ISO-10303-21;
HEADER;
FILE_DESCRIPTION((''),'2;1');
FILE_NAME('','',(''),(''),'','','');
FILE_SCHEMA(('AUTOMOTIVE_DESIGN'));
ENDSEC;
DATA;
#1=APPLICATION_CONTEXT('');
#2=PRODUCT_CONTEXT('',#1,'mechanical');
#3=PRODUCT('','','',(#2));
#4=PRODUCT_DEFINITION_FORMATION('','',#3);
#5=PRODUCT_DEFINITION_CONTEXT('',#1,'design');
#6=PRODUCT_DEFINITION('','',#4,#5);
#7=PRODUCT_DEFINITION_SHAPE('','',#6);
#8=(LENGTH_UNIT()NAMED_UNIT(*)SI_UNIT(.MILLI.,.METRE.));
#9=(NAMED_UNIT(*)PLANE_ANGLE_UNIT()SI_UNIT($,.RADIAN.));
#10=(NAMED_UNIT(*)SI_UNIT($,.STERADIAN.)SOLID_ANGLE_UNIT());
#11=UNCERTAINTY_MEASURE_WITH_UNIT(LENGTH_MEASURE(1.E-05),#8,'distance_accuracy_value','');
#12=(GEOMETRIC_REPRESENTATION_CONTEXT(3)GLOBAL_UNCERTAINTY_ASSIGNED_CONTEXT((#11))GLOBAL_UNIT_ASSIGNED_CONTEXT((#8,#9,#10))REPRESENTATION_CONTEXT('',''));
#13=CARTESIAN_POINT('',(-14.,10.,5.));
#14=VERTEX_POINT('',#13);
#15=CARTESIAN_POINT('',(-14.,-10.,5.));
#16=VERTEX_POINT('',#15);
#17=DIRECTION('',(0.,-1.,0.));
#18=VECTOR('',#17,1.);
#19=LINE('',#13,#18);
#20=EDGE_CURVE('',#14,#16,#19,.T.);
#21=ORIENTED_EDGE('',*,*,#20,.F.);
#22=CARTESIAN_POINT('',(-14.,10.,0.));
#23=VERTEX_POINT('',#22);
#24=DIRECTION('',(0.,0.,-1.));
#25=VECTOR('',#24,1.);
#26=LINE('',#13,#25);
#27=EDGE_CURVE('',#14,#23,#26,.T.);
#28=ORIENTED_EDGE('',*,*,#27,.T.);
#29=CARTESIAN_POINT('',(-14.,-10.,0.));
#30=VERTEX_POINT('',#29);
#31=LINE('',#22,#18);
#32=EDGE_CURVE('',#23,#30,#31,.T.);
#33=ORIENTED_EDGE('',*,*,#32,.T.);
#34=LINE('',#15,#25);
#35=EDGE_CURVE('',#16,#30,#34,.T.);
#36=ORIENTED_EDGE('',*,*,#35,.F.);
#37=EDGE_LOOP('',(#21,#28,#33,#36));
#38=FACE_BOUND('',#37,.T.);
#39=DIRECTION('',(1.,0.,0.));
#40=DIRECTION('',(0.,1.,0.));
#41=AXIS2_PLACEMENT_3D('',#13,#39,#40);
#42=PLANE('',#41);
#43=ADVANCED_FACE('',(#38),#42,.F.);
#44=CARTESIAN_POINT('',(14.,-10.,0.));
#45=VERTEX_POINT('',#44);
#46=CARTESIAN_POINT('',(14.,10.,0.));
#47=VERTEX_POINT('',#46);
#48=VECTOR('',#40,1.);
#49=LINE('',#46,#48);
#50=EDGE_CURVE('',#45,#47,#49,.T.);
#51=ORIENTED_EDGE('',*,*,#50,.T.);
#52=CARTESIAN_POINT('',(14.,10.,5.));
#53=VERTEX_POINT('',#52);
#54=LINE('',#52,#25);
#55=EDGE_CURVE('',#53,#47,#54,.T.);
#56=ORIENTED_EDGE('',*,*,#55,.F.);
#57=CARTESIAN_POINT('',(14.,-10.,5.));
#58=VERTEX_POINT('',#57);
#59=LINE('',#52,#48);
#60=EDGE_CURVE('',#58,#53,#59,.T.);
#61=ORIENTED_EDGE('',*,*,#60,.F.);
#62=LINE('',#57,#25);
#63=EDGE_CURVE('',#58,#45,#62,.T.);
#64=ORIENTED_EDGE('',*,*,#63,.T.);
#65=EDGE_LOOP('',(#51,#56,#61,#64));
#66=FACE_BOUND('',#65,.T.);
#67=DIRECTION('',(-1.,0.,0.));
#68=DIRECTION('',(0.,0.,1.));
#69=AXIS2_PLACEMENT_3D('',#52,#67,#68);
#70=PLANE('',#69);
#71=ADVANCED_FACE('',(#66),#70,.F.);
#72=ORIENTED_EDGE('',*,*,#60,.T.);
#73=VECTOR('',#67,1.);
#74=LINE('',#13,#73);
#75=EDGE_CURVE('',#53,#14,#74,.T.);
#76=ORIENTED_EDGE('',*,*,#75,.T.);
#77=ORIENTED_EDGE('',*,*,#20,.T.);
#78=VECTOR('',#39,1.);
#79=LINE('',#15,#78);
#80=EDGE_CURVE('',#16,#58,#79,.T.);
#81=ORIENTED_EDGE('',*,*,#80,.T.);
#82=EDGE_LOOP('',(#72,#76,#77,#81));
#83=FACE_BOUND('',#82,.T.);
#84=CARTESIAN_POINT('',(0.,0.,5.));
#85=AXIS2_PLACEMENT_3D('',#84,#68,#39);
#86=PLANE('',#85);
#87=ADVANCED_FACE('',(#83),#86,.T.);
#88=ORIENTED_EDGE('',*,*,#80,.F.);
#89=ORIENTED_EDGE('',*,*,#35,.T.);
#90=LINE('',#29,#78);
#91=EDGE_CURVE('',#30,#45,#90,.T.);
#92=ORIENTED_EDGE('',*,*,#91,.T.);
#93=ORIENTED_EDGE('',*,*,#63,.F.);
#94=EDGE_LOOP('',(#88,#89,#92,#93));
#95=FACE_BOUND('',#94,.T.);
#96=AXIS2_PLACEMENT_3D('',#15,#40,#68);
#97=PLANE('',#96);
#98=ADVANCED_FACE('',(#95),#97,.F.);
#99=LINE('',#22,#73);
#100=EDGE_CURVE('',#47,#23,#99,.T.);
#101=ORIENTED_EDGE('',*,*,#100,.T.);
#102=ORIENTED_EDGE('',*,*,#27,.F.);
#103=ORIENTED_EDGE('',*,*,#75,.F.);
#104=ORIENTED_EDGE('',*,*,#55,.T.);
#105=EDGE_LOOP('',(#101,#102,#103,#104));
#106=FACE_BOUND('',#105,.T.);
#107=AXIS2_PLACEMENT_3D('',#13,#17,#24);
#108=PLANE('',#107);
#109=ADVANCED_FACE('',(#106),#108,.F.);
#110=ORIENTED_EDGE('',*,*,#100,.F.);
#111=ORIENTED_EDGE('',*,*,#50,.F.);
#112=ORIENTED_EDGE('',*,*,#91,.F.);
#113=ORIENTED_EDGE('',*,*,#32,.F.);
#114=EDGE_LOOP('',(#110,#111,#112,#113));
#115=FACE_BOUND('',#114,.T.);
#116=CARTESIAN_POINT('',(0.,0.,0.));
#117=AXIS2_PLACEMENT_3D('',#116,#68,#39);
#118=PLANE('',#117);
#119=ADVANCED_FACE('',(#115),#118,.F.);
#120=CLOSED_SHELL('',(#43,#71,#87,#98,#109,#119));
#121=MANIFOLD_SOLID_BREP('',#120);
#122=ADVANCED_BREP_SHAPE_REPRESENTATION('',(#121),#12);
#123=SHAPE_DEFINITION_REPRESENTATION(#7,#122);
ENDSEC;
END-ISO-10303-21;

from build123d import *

# Parameters (mm, degrees)
SKETCH1_W           = 28
SKETCH1_H           = 20
BOSS_EXTRUDE1_DEPTH = 5


with BuildPart() as part:
    # Sketch1 → Boss-Extrude1 (new body)
    with BuildSketch(Plane.XY):
        Rectangle(SKETCH1_W, SKETCH1_H)
    extrude(amount=BOSS_EXTRUDE1_DEPTH)


solid = part.part
